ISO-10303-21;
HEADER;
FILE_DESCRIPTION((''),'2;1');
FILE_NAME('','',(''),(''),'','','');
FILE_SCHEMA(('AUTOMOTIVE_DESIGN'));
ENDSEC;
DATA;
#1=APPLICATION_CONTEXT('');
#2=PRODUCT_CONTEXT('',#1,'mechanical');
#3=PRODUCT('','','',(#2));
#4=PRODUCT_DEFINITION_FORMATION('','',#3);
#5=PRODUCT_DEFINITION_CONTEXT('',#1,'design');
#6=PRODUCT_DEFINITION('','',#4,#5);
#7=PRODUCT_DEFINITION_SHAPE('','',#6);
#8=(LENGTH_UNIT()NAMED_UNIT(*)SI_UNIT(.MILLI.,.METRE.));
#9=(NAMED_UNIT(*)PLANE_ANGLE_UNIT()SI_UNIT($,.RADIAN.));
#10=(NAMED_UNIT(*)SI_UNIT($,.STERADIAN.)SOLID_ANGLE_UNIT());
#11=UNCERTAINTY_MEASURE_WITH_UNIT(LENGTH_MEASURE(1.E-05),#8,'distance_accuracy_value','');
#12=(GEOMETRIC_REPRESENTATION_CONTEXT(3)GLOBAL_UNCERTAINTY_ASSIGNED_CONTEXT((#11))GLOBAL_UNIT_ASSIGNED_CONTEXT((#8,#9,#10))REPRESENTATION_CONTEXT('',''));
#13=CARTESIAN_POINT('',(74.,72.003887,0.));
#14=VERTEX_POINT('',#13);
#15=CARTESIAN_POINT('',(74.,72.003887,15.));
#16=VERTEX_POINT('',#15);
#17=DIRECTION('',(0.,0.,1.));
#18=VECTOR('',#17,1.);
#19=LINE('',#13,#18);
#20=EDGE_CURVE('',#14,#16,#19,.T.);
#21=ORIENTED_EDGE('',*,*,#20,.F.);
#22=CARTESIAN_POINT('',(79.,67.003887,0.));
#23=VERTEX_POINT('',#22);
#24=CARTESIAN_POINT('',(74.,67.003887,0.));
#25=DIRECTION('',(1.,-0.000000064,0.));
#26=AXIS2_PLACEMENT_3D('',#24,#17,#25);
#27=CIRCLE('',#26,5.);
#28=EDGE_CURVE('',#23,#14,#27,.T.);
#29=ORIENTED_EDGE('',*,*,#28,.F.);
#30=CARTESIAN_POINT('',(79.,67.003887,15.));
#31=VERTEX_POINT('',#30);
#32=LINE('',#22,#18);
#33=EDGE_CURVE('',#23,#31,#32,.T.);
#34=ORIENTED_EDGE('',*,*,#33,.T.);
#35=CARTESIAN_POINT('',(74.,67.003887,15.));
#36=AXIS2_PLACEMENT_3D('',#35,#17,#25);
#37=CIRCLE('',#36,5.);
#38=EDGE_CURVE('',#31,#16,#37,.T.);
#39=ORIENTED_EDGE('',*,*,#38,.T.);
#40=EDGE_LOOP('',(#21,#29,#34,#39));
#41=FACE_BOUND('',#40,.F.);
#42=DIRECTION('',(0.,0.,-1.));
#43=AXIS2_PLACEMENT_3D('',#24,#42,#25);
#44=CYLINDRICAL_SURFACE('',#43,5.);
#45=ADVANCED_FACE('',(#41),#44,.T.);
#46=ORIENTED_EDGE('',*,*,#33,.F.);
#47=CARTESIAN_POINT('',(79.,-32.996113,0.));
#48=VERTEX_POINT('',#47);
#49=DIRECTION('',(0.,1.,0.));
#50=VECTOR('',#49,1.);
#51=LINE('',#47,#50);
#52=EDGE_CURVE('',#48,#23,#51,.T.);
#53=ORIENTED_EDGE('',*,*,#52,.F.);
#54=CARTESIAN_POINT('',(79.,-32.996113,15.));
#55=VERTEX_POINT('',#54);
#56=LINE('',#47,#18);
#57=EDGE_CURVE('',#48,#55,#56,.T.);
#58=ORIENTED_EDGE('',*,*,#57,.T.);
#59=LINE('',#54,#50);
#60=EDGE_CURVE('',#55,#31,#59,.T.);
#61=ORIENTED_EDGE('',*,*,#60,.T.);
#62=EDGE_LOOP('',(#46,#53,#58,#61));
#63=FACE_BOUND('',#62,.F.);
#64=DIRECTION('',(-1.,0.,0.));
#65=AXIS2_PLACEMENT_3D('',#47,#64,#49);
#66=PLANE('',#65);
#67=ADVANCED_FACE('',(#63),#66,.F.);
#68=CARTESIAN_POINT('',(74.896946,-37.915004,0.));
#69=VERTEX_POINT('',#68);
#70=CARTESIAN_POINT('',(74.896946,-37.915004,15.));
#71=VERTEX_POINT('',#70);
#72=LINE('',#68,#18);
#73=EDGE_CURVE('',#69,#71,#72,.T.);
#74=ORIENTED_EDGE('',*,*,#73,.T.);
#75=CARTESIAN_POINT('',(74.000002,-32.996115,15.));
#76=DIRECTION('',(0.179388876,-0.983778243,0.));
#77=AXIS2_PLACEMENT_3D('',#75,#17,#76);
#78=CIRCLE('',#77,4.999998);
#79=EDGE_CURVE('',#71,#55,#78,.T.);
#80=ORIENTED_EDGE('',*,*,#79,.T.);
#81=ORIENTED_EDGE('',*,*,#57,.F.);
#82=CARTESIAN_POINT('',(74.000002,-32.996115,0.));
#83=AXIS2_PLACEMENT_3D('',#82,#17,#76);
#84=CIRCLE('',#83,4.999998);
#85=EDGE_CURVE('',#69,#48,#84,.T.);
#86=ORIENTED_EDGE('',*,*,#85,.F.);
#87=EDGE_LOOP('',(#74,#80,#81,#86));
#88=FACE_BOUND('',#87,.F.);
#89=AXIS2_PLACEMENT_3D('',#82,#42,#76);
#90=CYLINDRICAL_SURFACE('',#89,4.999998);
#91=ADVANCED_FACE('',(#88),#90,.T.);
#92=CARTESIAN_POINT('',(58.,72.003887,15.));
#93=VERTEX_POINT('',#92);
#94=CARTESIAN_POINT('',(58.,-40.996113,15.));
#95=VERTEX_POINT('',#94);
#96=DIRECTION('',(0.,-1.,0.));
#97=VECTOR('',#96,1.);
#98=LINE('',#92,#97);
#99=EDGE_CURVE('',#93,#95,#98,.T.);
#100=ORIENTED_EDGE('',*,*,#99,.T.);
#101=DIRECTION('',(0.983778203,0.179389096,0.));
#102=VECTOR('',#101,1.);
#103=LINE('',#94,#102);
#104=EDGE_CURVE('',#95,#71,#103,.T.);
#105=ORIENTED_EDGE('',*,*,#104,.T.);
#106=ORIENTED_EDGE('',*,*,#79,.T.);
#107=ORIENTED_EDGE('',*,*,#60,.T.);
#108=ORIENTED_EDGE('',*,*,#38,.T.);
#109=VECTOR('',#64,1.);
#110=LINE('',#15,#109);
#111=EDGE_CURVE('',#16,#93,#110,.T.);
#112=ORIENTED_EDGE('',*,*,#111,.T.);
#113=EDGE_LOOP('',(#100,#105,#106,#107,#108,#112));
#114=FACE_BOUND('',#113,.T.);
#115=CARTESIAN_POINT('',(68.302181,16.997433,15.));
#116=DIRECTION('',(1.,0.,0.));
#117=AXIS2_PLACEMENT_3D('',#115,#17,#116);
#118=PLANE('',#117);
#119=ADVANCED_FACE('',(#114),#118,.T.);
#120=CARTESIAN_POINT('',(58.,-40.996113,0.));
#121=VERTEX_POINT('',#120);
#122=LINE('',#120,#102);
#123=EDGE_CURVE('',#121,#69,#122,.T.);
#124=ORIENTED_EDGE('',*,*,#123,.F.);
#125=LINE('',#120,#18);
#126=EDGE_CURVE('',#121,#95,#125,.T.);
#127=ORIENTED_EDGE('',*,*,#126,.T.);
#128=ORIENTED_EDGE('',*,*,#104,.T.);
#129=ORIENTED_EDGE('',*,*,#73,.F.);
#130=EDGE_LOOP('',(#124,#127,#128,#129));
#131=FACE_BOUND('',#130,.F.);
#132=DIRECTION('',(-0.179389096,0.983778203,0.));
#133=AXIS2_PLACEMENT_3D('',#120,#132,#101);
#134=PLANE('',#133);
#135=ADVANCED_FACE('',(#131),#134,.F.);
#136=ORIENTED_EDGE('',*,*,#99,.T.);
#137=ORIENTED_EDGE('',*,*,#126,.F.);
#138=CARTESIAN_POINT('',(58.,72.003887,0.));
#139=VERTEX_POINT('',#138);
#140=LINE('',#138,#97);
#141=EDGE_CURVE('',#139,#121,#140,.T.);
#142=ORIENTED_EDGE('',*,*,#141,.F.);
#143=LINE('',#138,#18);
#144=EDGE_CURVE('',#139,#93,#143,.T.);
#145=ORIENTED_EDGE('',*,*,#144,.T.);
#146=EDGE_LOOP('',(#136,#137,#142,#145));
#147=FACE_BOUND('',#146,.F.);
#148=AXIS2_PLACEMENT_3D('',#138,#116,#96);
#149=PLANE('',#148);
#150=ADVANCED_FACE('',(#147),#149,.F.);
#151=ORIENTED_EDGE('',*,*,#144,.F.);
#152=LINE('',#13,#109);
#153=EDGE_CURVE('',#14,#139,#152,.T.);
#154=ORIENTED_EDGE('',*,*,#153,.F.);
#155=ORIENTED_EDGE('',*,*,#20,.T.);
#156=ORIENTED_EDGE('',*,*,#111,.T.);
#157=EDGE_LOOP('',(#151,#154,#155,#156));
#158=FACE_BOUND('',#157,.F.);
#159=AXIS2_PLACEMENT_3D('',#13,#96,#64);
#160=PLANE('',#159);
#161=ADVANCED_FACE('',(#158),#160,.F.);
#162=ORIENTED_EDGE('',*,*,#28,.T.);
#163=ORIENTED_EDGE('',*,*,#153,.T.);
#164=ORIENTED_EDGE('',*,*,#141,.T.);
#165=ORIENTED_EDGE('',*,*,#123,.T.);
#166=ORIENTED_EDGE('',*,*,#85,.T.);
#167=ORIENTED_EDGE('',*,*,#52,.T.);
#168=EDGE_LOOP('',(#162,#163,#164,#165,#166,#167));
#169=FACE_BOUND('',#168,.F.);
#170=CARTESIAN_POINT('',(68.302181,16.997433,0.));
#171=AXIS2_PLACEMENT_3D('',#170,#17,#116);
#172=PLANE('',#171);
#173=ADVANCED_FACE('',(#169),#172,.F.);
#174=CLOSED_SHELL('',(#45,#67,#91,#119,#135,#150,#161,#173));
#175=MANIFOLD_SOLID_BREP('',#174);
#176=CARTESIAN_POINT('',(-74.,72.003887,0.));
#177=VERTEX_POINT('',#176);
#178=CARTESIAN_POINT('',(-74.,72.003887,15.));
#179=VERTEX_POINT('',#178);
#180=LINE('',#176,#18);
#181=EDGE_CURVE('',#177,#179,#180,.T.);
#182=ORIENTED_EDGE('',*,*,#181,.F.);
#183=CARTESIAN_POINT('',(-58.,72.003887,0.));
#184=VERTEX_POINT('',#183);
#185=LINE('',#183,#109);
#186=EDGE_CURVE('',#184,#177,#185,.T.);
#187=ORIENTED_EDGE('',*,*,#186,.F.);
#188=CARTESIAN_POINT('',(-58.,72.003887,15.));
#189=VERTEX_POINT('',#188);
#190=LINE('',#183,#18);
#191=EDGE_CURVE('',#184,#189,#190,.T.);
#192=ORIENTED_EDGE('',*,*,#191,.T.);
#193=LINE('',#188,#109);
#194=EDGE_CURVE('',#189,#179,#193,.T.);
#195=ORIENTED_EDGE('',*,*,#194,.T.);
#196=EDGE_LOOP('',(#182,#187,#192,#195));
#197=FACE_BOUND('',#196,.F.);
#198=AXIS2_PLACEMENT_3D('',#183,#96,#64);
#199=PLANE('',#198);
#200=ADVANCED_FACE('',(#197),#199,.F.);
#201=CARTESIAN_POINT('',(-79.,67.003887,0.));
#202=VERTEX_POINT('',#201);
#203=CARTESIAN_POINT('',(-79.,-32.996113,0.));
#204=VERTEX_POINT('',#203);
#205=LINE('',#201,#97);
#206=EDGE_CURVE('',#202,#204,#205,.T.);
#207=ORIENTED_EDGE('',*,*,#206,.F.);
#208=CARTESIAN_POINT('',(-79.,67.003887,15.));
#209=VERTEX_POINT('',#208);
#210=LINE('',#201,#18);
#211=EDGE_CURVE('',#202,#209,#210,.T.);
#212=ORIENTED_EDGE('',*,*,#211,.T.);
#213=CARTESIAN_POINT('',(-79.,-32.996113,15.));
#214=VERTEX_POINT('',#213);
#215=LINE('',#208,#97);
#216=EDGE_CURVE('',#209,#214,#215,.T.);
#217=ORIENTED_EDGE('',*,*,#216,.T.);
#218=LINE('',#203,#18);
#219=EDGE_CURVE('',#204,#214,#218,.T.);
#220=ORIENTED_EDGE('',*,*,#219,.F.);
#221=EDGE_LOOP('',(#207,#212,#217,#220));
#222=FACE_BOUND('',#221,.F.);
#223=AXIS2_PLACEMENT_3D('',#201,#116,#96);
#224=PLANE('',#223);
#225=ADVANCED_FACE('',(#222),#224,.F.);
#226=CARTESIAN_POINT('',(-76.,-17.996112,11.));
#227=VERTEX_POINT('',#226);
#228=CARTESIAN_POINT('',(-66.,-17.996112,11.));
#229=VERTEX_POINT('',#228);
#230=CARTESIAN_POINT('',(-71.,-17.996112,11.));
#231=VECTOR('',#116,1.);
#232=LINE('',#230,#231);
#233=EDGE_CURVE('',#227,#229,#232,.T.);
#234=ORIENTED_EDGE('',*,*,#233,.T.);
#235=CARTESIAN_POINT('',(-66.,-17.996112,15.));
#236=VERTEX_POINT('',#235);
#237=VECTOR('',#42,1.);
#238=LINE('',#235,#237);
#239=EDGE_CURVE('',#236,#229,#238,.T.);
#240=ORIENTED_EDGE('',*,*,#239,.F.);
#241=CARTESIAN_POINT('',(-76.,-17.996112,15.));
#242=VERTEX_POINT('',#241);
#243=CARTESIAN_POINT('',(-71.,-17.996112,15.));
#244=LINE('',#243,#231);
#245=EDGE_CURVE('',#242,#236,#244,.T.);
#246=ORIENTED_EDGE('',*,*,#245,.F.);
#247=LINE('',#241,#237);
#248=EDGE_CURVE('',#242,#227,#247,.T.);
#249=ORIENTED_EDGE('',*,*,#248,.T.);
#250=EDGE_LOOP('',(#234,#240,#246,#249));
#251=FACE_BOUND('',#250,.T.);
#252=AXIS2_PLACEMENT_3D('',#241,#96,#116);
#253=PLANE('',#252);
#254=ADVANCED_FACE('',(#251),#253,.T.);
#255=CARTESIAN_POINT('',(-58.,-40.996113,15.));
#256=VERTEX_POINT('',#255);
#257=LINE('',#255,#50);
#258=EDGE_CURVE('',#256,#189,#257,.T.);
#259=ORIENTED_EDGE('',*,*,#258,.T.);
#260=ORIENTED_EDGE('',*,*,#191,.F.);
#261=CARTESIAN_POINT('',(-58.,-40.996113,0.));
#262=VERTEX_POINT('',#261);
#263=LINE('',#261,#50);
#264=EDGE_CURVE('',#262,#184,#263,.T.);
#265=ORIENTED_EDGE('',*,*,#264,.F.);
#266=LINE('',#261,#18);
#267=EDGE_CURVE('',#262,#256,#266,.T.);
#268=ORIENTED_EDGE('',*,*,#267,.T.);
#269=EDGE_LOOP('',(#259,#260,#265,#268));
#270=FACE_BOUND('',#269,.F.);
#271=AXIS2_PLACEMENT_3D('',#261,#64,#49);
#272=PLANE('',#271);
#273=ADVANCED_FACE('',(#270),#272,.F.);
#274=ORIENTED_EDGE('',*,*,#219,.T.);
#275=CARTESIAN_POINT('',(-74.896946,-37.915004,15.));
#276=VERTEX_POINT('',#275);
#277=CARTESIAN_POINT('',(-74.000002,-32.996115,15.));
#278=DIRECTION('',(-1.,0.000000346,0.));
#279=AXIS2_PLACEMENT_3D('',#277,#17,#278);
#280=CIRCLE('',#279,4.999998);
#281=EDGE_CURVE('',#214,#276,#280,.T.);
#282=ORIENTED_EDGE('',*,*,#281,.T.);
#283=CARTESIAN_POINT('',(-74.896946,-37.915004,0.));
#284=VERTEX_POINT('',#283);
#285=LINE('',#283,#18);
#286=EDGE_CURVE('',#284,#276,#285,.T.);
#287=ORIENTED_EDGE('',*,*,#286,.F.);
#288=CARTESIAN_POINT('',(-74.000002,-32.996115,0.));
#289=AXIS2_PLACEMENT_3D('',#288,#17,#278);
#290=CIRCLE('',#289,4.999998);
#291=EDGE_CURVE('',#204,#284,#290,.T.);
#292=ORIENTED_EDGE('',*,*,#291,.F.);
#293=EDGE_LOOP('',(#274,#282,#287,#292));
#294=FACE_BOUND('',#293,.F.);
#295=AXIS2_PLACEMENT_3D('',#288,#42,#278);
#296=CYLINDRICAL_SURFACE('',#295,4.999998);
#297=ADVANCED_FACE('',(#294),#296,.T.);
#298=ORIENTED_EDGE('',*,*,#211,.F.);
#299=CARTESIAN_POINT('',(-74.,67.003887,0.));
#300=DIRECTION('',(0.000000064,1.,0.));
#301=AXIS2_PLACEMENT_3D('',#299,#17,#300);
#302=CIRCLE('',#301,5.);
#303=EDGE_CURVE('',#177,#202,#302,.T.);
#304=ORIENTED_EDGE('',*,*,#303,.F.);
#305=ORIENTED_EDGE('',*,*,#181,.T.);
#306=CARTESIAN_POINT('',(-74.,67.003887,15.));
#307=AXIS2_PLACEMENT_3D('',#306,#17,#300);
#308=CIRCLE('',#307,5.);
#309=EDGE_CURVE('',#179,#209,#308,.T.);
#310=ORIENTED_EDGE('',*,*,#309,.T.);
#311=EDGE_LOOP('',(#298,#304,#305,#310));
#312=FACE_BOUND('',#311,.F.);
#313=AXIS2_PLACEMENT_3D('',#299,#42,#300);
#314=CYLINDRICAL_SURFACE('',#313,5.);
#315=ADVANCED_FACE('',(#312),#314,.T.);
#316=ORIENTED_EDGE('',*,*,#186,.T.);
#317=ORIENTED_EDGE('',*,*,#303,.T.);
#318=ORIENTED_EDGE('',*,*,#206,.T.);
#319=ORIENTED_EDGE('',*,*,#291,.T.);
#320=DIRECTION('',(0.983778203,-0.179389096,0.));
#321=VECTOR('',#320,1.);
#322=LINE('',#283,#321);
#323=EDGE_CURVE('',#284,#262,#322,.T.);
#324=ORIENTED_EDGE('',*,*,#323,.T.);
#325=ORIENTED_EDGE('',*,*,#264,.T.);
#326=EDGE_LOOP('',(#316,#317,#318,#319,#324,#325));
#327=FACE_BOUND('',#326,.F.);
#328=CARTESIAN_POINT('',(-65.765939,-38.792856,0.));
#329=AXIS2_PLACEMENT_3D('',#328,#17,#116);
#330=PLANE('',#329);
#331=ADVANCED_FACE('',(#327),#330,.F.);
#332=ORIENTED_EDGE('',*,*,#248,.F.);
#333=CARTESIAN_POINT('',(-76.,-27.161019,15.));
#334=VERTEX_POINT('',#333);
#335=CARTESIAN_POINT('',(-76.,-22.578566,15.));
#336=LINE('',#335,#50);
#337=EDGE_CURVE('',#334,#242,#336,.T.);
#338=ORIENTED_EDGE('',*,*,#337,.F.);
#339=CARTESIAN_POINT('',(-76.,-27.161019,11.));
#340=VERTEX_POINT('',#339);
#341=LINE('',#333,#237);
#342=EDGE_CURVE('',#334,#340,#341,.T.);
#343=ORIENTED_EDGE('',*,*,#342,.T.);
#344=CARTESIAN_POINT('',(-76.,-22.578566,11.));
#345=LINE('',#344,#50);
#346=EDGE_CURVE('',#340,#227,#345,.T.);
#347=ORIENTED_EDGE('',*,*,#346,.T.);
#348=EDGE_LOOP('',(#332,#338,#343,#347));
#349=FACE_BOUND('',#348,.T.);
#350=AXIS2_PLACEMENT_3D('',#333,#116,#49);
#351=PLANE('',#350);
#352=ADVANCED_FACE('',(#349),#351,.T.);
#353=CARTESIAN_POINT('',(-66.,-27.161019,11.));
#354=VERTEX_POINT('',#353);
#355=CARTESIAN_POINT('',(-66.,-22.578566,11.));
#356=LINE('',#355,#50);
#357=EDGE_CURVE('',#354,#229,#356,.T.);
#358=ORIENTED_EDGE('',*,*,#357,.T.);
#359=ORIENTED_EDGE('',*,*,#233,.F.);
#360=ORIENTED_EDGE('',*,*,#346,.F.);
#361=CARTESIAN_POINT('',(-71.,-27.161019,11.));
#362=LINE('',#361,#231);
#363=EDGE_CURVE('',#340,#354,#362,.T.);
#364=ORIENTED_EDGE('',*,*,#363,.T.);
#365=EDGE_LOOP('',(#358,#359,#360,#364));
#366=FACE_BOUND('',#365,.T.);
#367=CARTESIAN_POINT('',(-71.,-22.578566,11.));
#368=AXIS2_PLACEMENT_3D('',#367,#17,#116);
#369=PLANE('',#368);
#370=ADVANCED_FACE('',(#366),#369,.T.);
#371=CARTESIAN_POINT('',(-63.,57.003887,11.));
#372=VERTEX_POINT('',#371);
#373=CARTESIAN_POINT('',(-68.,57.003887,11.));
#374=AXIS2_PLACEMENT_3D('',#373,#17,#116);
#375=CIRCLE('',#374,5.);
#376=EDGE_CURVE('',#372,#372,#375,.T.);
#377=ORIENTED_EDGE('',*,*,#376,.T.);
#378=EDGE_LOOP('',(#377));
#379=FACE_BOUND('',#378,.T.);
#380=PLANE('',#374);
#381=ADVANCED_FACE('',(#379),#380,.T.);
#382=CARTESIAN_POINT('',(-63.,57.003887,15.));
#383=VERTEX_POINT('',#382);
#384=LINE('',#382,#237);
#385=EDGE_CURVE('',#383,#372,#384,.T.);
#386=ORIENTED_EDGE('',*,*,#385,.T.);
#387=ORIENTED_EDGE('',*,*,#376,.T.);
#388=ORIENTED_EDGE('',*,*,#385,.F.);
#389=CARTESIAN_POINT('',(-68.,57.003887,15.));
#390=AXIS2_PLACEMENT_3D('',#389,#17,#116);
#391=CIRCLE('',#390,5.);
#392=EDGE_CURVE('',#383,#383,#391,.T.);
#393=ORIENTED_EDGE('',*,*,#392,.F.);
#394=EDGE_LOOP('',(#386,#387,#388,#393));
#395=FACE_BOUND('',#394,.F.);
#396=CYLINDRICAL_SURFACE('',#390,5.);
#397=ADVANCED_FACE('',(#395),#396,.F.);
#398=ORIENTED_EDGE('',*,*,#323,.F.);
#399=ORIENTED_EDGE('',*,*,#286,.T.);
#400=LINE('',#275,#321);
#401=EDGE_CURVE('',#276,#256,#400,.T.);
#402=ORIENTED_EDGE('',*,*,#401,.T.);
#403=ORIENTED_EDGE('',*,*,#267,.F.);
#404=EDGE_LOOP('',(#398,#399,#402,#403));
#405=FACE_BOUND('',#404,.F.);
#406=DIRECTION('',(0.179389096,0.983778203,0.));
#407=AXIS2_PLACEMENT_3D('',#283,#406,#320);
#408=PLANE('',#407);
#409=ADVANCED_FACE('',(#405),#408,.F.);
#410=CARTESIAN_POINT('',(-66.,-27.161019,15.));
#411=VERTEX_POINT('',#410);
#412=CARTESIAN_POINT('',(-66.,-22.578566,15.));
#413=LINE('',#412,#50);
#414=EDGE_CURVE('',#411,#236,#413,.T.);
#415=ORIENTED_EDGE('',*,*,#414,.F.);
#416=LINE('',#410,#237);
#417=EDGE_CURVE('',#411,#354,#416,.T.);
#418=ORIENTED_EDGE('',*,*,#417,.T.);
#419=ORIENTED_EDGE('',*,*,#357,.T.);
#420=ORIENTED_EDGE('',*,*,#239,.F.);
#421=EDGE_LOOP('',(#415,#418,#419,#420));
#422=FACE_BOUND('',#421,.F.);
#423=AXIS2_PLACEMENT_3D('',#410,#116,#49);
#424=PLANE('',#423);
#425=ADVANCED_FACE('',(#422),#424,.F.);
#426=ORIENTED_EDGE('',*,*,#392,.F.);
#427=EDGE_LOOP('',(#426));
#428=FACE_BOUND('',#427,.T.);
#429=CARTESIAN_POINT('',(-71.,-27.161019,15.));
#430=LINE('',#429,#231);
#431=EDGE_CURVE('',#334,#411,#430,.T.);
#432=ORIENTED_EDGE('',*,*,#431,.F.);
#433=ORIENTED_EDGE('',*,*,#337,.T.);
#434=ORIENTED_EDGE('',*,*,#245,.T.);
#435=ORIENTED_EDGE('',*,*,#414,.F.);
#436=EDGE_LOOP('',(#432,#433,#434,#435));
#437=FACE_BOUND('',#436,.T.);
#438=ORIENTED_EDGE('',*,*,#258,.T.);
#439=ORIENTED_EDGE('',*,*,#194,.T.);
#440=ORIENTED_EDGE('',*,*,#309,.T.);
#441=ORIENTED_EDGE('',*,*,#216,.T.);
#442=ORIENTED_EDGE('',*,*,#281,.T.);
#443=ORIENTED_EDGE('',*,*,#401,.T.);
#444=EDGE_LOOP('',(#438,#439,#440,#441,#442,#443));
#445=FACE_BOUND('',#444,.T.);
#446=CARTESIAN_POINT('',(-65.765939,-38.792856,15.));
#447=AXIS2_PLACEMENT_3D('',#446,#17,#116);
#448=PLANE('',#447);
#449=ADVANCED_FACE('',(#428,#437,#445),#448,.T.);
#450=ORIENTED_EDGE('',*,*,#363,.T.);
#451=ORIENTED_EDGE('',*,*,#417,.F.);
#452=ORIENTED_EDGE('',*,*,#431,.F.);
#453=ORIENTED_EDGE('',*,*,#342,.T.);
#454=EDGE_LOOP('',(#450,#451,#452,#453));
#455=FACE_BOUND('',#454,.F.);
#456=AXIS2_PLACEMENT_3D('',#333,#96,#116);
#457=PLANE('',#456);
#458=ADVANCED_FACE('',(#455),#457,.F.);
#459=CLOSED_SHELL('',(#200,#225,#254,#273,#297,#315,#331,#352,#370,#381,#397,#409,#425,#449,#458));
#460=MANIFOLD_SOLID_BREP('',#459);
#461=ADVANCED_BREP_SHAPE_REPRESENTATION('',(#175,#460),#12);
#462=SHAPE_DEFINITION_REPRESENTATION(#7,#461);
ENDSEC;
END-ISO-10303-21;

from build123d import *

# Parameters (mm, degrees)
F1_DEPTH = 15
F2_R     = 5
F2_W     = 10
F2_H     = 9.164907
F3_DEPTH = 4


with BuildPart() as f1:
    # F0 (on Top) → F1 (new body)
    with BuildSketch(Plane.XY):
        with BuildLine():
            Line((74, 72.003887), (58, 72.003887))
            Line((58, 72.003887), (58, -37.996113))
            Line((58, -37.996113), (74, -37.996113))
            ThreePointArc((74, -37.996113), (74.450303, -37.975795), (74.896946, -37.915004))
            ThreePointArc((74.896946, -37.915004), (77.839579, -36.198868), (79, -32.996113))
            Line((79, -32.996113), (79, 67.003887))
            ThreePointArc((79, 67.003887), (77.535534, 70.539421), (74, 72.003887))
        make_face()
        with BuildLine():
            Line((74, -37.996113), (58, -37.996113))
            Line((58, -37.996113), (58, -40.996113))
            Line((58, -40.996113), (74.896946, -37.915004))
            ThreePointArc((74.896946, -37.915004), (74.450303, -37.975795), (74, -37.996113))
        make_face()
        with BuildLine():
            Line((-58, -40.996113), (-58, -37.996113))
            Line((-58, -37.996113), (-74, -37.996113))
            ThreePointArc((-74, -37.996113), (-74.450303, -37.975795), (-74.896946, -37.915004))
            Line((-74.896946, -37.915004), (-58, -40.996113))
        make_face()
        with BuildLine():
            Line((-74, -37.996113), (-58, -37.996113))
            Line((-58, -37.996113), (-58, 72.003887))
            Line((-58, 72.003887), (-74, 72.003887))
            ThreePointArc((-74, 72.003887), (-77.535534, 70.539421), (-79, 67.003887))
            Line((-79, 67.003887), (-79, -32.996113))
            ThreePointArc((-79, -32.996113), (-77.839579, -36.198868), (-74.896946, -37.915004))
            ThreePointArc((-74.896946, -37.915004), (-74.450303, -37.975795), (-74, -37.996113))
        make_face()
    extrude(amount=F1_DEPTH)

    # F2 (on face) → F3 (cut)
    with BuildSketch(Plane.XY.offset(15)):
        with Locations((-68, 57.003887)):
            Circle(F2_R)
        with Locations((-71, -22.578566)):
            Rectangle(F2_W, F2_H)
    extrude(amount=-F3_DEPTH, mode=Mode.SUBTRACT)


solid = f1.part
